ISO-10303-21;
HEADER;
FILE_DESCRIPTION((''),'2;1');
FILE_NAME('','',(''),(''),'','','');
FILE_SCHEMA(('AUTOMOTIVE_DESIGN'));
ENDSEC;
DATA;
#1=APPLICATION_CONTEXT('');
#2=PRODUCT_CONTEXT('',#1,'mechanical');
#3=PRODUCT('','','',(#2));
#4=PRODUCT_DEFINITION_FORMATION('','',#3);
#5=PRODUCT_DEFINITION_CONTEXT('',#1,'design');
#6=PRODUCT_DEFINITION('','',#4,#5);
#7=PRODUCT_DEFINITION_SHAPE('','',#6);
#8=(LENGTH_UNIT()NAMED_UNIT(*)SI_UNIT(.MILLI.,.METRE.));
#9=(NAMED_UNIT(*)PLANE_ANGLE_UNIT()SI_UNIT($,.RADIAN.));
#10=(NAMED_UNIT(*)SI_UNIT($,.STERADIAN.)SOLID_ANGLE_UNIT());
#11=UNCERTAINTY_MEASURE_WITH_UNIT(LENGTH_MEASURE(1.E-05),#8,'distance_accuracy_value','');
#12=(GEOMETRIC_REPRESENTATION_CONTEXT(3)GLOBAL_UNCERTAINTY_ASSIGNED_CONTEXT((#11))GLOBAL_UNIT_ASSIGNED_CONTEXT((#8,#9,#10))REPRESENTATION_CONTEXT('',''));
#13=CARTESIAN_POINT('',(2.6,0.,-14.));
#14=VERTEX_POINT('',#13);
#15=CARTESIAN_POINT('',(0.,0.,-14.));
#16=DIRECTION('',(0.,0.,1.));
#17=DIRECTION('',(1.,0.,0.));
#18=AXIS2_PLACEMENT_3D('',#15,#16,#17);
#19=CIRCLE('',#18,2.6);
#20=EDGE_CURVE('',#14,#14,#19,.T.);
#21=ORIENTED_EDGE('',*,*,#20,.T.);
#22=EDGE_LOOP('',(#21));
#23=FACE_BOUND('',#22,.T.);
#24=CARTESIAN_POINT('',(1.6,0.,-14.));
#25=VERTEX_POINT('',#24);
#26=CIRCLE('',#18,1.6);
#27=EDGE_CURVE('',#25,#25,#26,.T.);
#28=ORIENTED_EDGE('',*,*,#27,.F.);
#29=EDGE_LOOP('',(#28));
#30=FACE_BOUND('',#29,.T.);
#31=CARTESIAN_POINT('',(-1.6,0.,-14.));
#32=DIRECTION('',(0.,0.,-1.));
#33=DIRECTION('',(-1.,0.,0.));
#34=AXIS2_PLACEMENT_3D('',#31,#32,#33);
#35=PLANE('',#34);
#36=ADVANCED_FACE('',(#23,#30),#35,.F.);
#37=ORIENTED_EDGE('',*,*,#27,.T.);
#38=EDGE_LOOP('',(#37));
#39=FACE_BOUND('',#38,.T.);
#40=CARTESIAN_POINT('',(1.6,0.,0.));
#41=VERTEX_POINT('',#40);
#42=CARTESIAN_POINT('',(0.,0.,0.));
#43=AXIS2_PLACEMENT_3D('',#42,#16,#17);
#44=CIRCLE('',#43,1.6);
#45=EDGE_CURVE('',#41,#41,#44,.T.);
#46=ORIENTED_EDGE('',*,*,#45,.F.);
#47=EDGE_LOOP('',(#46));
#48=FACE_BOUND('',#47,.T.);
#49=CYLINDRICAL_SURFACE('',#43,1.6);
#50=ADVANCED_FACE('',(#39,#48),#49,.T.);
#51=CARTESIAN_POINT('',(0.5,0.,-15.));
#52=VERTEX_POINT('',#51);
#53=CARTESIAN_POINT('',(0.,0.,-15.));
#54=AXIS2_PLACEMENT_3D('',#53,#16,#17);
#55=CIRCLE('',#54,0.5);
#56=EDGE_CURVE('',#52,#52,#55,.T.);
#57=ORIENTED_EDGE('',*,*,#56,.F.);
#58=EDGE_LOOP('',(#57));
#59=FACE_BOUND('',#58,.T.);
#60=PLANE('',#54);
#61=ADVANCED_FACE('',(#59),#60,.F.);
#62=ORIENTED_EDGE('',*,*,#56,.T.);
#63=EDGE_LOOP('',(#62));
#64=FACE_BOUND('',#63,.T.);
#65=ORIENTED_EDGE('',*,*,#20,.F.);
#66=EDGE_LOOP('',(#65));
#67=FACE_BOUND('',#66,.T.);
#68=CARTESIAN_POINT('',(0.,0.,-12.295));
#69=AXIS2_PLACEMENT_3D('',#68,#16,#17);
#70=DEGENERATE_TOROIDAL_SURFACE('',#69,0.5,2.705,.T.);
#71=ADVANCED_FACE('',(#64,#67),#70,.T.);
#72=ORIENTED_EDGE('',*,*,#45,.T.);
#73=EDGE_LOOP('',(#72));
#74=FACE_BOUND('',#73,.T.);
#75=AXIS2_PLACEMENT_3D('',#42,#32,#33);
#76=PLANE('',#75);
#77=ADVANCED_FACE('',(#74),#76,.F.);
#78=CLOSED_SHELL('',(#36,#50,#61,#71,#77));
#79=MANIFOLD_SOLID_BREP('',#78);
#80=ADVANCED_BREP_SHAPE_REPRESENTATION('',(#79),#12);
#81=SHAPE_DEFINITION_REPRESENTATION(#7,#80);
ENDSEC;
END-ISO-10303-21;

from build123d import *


with BuildPart() as part:
    # Sketch1 → Revolve1 (revolve)
    with BuildSketch(Plane(origin=(0, 0, 0), x_dir=(1, 0, 0), z_dir=(0, 1, 0)), mode=Mode.PRIVATE) as revolve1_sk:
        with BuildLine():
            Line((0, 0), (-1.6, 0))
            Line((-1.6, 0), (-1.6, 14))
            Line((-1.6, 14), (-2.6, 14))
            ThreePointArc((-2.6, 14), (-1.662970335, 14.737237703), (-0.5, 15))
            Line((-0.5, 15), (0, 15))
            Line((0, 15), (0, 0))
        make_face()
    revolve(revolve1_sk.sketch.rotate(Axis((0, 0, 0), (0, 0, -1)), 180), axis=Axis((0, 0, 0), (0, 0, -1)))


solid = part.part
